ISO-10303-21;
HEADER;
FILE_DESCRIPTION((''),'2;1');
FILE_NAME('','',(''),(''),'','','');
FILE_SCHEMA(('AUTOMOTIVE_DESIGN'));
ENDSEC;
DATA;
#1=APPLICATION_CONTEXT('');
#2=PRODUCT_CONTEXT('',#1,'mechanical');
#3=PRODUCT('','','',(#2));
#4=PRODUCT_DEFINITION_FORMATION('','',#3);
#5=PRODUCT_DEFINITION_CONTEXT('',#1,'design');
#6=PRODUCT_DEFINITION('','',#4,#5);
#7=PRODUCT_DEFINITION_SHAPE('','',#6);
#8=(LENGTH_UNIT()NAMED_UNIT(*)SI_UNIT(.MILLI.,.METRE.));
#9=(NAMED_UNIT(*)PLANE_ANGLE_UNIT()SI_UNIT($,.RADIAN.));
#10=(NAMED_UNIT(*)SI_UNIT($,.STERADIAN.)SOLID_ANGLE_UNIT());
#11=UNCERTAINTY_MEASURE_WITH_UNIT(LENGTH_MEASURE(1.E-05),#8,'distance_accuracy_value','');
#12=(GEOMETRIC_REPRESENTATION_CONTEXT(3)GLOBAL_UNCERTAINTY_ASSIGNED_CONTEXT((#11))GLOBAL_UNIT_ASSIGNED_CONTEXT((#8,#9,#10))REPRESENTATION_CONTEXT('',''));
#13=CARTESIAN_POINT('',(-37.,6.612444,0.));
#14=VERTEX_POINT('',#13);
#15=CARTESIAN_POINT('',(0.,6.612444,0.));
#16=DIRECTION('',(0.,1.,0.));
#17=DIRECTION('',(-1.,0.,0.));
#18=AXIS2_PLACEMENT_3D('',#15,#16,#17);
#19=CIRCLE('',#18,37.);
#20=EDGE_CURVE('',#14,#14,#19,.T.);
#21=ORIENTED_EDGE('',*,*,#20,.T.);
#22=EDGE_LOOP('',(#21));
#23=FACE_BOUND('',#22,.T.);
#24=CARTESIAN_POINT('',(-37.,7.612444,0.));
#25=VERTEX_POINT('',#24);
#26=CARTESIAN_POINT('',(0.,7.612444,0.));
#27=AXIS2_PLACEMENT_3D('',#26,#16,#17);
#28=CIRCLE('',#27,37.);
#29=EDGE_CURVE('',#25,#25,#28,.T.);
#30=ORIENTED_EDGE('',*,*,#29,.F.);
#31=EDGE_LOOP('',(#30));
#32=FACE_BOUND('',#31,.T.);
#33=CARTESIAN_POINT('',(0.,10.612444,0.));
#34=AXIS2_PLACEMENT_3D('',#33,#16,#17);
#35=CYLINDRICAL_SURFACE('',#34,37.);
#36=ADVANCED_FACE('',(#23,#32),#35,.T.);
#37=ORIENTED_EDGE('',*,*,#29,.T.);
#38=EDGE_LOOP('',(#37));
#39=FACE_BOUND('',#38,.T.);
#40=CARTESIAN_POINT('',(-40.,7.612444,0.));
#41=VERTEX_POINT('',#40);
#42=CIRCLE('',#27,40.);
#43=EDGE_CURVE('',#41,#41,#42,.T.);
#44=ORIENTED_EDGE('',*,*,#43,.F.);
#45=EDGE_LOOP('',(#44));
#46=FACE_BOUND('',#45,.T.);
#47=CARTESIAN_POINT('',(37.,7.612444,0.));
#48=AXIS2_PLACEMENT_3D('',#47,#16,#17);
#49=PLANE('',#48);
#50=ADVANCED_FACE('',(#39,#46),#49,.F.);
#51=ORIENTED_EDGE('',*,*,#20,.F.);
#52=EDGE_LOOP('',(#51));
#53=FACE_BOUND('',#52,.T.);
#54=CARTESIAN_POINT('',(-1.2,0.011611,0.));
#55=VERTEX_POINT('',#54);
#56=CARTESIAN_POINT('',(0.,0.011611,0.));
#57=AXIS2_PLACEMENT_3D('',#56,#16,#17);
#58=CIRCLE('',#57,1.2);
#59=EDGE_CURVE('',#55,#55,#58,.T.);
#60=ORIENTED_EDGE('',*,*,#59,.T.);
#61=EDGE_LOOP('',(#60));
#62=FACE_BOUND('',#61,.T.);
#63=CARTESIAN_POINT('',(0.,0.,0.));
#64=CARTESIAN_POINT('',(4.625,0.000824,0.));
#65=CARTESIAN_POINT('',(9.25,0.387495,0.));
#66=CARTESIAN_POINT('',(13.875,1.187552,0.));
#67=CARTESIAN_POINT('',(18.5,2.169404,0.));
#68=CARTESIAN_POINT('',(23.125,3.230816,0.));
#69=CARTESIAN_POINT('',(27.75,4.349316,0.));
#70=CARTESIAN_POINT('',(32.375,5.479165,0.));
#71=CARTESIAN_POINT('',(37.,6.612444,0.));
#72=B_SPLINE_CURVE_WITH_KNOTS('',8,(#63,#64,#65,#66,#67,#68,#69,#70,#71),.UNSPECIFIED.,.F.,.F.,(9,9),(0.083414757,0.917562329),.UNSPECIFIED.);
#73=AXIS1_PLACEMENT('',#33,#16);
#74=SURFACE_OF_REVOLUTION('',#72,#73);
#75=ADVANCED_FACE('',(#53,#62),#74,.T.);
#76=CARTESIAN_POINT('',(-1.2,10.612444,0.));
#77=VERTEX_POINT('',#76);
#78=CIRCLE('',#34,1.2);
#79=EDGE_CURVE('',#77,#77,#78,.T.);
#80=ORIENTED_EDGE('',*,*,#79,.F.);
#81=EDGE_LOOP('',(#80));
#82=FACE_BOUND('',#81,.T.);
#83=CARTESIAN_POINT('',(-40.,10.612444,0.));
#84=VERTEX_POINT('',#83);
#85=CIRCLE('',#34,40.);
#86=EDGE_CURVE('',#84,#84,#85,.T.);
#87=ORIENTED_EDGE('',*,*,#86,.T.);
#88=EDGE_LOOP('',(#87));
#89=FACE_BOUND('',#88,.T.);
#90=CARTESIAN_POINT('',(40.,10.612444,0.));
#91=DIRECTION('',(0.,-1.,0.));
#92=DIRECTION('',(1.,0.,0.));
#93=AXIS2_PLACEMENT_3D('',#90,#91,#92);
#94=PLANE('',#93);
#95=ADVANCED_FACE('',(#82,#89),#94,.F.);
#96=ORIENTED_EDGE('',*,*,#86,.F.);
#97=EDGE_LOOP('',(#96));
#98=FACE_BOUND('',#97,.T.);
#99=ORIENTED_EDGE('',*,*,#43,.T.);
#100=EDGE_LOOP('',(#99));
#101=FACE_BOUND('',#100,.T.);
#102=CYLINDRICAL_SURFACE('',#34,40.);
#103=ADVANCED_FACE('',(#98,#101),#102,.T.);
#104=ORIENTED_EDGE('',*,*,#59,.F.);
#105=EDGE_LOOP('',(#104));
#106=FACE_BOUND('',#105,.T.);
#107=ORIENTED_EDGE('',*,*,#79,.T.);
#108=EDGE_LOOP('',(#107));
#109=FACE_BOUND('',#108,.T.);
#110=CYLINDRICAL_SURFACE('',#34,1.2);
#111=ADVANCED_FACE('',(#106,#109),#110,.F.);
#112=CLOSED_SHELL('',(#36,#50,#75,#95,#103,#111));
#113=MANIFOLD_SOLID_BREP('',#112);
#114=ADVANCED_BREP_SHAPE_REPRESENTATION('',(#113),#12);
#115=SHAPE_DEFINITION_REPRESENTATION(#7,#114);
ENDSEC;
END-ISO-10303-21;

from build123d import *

# Parameters (mm, degrees)
SKETCH5_R          = 1.2
CUT_EXTRUDE1_DEPTH = 58.555399066


with BuildPart() as part:
    # Sketch3 → Revolve4 (revolve)
    with BuildSketch(Plane.XY, mode=Mode.PRIVATE) as revolve4_sk:
        with BuildLine():
            Line((1.2, 10.612443619), (1.2, 5.612443619))
            Line((1.2, 5.612443619), (0, 5.612443619))
            Line((0, 5.612443619), (0, 0))
            add(Edge.make_bspline(
                [(0, 0), (4.624999999, 0.000824343), (9.249999999, 0.387495016), (13.874999999, 1.187552176), (18.499999999, 2.169403699), (23.124999999, 3.230815768), (27.749999999, 4.349316242), (32.375, 5.479164551), (37, 6.612443619)],
                knots=[0.083414757, 0.083414757, 0.083414757, 0.083414757, 0.083414757, 0.083414757, 0.083414757, 0.083414757, 0.083414757, 0.917562329, 0.917562329, 0.917562329, 0.917562329, 0.917562329, 0.917562329, 0.917562329, 0.917562329, 0.917562329], degree=8))
            Line((37, 6.612443619), (37, 7.612443619))
            Line((37, 7.612443619), (40, 7.612443619))
            Line((40, 7.612443619), (40, 10.612443619))
            Line((40, 10.612443619), (1.2, 10.612443619))
        make_face()
    revolve(revolve4_sk.sketch.rotate(Axis((0, 10.612443619, 0), (0, -1, 0)), 180), axis=Axis((0, 10.612443619, 0), (0, -1, 0)))

    # Sketch5 → Cut-Extrude1 (cut, through all)
    with BuildSketch(Plane(origin=(0, 10.612443619, 0), x_dir=(1, 0, 0), z_dir=(0, 1, 0))):
        with Locations(Location((0, 0, 0), (0, 0, 180))):
            Circle(SKETCH5_R)
    extrude(amount=-CUT_EXTRUDE1_DEPTH, mode=Mode.SUBTRACT)


solid = part.part
